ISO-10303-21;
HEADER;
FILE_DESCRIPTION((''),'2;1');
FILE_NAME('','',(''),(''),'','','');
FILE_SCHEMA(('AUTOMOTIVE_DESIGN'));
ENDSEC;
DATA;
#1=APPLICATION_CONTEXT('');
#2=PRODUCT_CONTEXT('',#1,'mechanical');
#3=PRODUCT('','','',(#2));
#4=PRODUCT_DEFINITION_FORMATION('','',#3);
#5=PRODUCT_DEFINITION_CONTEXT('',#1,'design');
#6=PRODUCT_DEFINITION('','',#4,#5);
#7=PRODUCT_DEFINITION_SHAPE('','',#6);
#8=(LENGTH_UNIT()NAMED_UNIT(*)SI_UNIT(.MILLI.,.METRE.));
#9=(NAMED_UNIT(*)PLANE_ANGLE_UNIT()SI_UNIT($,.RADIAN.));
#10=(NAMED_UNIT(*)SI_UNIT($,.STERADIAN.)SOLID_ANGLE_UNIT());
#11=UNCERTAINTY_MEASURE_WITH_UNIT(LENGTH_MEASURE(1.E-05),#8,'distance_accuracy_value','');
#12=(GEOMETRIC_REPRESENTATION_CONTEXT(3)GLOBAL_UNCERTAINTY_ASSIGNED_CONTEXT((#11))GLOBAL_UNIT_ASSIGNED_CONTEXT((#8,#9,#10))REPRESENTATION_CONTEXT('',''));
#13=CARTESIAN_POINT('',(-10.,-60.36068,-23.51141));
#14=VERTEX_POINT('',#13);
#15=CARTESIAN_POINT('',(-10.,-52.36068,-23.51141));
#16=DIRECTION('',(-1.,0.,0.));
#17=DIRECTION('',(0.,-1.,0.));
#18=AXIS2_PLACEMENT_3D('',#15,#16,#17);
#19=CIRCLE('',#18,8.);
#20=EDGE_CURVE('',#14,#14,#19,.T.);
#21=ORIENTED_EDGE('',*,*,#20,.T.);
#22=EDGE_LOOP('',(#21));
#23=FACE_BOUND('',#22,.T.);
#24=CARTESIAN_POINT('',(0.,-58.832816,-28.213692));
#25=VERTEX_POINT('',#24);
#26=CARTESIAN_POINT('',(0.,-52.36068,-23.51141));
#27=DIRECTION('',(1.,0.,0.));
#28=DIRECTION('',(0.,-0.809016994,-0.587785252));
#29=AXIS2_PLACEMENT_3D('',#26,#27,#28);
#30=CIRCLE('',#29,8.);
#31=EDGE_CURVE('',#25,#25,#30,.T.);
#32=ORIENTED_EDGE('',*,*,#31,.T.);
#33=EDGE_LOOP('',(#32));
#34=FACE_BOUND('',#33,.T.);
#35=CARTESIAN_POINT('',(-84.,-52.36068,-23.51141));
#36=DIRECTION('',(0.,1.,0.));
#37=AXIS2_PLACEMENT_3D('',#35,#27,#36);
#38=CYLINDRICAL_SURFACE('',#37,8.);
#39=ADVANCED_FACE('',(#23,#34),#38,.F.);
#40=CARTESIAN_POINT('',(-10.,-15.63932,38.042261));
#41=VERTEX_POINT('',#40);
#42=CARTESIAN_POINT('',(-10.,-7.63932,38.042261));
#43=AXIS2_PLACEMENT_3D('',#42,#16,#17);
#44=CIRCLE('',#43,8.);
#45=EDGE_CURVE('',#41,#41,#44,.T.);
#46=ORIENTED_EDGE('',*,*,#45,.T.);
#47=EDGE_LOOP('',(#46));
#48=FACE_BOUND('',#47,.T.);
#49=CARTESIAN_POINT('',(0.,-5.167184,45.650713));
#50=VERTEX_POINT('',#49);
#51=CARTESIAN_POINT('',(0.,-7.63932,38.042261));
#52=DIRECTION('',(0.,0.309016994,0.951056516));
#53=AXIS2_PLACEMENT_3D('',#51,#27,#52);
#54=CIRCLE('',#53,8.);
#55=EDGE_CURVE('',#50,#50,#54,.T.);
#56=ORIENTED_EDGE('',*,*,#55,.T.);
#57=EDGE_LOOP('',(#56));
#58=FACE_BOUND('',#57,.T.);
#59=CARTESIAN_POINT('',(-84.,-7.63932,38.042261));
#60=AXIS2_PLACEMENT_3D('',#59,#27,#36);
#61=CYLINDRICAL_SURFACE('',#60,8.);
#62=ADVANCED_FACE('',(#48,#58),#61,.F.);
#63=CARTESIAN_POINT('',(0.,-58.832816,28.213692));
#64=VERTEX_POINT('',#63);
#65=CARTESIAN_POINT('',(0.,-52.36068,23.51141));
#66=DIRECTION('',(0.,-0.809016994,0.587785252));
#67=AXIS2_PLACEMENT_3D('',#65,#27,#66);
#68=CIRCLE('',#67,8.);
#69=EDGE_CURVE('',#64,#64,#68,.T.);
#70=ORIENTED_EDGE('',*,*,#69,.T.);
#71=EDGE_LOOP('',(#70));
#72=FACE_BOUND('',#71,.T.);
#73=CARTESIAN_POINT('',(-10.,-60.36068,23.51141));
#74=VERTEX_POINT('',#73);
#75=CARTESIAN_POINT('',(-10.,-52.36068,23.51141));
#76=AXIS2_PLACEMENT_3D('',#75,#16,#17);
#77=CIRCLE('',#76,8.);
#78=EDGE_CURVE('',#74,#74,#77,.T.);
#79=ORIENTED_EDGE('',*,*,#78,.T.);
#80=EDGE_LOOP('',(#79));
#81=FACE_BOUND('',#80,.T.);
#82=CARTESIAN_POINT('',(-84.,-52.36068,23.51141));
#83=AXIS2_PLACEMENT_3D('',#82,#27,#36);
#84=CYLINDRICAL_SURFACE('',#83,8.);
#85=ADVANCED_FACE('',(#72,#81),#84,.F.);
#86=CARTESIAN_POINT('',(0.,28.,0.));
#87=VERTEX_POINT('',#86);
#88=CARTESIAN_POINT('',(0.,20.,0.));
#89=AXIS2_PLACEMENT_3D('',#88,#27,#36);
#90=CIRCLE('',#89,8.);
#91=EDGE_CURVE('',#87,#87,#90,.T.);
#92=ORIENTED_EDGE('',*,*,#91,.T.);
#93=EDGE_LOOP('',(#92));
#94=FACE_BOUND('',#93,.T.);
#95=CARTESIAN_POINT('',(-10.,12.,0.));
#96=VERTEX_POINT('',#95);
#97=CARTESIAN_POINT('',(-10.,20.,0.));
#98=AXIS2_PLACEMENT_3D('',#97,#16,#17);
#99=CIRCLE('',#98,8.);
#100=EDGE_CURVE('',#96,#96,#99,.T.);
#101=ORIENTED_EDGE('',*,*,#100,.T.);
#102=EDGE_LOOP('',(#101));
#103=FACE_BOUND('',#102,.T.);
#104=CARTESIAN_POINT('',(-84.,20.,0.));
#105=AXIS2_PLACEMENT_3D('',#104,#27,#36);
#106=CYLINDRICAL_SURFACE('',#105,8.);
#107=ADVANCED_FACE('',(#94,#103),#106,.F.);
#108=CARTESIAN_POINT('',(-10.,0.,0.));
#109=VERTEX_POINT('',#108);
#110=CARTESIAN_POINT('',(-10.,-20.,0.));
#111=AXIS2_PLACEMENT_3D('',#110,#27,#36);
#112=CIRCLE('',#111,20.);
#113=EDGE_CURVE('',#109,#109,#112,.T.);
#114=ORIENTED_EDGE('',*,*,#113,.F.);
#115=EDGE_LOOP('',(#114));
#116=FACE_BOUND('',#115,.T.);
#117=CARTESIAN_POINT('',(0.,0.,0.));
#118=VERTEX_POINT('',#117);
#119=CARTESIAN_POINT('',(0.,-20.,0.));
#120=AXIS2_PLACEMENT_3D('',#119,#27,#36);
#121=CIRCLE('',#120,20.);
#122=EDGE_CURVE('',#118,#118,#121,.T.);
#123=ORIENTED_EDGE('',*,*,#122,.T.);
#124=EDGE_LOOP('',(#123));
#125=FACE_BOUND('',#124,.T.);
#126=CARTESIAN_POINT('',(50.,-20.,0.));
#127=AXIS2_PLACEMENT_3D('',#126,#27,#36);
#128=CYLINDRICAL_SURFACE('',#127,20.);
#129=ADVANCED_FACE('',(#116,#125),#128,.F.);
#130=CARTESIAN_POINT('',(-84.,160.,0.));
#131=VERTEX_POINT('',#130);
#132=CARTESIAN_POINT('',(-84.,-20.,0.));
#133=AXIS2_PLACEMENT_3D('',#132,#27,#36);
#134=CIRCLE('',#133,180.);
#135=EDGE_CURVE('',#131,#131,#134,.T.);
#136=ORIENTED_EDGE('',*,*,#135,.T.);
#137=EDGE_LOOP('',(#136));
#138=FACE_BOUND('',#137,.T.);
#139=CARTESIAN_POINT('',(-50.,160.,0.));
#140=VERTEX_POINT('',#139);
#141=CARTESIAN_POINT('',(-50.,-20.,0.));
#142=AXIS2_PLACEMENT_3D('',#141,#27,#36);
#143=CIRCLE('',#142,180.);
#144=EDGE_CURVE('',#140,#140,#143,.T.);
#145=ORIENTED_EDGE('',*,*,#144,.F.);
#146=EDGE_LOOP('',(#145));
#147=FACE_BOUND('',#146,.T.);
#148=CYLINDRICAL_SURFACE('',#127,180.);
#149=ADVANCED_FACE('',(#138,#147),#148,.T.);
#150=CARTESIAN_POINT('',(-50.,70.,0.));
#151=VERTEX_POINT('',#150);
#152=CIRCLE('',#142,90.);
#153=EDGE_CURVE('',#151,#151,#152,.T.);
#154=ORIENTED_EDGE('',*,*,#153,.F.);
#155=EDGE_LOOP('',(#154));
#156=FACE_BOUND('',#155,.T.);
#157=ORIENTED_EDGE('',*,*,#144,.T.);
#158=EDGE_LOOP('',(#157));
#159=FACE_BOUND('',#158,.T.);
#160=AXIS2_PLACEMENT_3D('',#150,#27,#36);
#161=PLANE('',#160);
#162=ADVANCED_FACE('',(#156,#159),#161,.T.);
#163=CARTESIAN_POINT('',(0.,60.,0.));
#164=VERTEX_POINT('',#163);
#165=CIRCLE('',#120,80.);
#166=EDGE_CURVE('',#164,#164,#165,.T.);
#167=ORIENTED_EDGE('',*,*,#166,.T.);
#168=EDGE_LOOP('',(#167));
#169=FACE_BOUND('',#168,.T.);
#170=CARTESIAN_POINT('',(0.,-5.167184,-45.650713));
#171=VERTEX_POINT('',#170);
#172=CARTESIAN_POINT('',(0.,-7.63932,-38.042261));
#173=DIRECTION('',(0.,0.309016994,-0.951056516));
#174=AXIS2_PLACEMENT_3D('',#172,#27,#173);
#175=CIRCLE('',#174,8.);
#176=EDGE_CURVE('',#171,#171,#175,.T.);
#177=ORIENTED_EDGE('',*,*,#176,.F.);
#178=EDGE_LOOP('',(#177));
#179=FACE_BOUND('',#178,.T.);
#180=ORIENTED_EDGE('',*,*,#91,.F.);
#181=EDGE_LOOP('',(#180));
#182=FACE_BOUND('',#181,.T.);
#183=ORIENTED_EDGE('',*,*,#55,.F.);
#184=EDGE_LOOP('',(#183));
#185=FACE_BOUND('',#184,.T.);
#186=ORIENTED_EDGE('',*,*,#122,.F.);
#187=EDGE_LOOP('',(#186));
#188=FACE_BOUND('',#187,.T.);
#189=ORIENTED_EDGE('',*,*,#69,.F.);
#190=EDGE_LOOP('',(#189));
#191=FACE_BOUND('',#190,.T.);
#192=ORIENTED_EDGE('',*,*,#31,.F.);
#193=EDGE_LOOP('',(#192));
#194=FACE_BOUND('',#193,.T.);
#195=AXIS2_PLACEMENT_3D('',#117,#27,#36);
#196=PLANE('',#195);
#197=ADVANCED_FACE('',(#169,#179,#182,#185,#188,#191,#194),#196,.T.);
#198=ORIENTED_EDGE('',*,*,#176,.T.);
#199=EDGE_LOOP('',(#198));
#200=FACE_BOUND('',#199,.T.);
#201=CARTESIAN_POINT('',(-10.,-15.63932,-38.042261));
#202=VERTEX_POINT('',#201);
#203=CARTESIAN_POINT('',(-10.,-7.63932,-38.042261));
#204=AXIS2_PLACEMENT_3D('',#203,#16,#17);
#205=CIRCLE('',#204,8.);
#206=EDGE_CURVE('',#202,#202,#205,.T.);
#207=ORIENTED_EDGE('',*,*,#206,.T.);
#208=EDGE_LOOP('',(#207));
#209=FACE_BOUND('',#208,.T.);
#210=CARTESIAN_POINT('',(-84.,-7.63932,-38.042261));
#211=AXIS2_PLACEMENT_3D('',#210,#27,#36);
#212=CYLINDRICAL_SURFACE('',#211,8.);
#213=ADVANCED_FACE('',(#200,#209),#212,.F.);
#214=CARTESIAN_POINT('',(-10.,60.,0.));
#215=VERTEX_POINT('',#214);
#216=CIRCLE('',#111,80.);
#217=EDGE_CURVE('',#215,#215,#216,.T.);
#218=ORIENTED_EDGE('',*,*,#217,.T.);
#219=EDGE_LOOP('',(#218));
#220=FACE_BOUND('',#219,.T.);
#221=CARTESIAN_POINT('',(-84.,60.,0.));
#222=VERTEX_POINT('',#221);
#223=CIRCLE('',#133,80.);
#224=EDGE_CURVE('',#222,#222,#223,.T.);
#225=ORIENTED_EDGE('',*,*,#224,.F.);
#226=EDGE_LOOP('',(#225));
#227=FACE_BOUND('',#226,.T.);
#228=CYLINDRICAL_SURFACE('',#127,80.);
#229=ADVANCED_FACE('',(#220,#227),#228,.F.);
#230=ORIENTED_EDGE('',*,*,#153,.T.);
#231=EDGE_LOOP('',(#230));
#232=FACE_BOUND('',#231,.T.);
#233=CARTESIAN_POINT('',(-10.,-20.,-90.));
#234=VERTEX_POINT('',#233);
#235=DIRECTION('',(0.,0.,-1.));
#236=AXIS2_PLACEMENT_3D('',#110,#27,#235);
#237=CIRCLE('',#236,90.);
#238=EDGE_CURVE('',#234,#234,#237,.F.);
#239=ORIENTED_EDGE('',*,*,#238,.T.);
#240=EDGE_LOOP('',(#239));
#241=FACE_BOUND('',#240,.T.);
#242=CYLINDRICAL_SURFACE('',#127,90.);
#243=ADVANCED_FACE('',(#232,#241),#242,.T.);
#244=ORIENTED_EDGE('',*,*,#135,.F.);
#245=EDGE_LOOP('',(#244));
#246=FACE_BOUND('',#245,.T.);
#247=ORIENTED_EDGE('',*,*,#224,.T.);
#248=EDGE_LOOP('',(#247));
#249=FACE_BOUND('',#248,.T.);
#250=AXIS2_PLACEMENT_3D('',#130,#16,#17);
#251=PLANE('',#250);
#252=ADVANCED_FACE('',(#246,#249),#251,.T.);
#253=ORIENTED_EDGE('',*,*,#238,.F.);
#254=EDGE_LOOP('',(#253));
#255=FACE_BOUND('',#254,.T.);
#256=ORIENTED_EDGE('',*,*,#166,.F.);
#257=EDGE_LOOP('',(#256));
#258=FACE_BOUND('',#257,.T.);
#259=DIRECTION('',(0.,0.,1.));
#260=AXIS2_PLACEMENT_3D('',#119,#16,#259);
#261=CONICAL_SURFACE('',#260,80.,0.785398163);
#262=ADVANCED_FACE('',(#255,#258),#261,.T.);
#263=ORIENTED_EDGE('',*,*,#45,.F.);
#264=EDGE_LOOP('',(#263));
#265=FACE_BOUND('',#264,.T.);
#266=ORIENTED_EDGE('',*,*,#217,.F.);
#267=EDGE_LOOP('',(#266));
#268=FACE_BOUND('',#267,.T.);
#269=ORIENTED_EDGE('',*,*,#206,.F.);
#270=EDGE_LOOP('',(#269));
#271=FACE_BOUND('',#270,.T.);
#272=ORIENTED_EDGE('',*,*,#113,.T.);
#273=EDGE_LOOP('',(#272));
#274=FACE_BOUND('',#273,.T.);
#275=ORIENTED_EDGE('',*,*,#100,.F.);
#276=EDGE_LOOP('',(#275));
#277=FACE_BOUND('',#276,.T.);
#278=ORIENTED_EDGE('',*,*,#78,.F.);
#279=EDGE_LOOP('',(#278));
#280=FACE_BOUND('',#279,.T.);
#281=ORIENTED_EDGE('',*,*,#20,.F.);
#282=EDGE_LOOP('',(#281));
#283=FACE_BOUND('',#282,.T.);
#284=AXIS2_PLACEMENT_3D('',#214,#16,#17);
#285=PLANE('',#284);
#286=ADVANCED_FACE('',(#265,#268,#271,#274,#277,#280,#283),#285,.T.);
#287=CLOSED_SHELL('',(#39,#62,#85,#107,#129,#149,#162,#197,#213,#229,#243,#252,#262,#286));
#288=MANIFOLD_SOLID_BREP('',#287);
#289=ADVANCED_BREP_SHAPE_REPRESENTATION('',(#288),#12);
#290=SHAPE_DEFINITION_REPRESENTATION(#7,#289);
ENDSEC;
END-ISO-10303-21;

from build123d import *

# Parameters (mm, degrees)
SCHIZZO3_R                  = 8
TAGLIO_ESTRUSIONE1_DEPTH    = 282.879406839
RIPETIZIONECIRCOLARE1_COUNT = 5
SMUSSO1_SIZE                = 10


with BuildPart() as part:
    # Schizzo2 → Rivoluzione1 (revolve)
    with BuildSketch(Plane.XY):
        Polygon((0, 0), (0, 70), (-50, 70), (-50, 160), (-84, 160), (-84, 60), (-10, 60), (-10, 0), align=None)
    revolve(axis=Axis((50, -20, 0), (-1, 0, 0)))

    # Schizzo3 → Taglio-Estrusione1 (cut, through all)
    with BuildSketch(Plane(origin=(0, 0, 0), x_dir=(0, 0, -1), z_dir=(1, 0, 0))):
        with Locations(Location((0, 20, 0), (0, 0, 90))):
            Circle(SCHIZZO3_R)
    taglio_estrusione1 = extrude(amount=-TAGLIO_ESTRUSIONE1_DEPTH, mode=Mode.SUBTRACT)

    # RipetizioneCircolare1: Taglio-Estrusione1 ×5 about axis
    ripetizionecircolare1_axis = Axis((0, -20, 0), (1, 0, 0))
    for i in range(1, RIPETIZIONECIRCOLARE1_COUNT):
        add(taglio_estrusione1.rotate(ripetizionecircolare1_axis, i * 360 / RIPETIZIONECIRCOLARE1_COUNT), mode=Mode.SUBTRACT)

    # Smusso1
    smusso1_edges = [part.edges().sort_by_distance(p)[0] for p in [
        (0, -110, 0),
    ]]
    chamfer(smusso1_edges, length=SMUSSO1_SIZE)


solid = part.part
